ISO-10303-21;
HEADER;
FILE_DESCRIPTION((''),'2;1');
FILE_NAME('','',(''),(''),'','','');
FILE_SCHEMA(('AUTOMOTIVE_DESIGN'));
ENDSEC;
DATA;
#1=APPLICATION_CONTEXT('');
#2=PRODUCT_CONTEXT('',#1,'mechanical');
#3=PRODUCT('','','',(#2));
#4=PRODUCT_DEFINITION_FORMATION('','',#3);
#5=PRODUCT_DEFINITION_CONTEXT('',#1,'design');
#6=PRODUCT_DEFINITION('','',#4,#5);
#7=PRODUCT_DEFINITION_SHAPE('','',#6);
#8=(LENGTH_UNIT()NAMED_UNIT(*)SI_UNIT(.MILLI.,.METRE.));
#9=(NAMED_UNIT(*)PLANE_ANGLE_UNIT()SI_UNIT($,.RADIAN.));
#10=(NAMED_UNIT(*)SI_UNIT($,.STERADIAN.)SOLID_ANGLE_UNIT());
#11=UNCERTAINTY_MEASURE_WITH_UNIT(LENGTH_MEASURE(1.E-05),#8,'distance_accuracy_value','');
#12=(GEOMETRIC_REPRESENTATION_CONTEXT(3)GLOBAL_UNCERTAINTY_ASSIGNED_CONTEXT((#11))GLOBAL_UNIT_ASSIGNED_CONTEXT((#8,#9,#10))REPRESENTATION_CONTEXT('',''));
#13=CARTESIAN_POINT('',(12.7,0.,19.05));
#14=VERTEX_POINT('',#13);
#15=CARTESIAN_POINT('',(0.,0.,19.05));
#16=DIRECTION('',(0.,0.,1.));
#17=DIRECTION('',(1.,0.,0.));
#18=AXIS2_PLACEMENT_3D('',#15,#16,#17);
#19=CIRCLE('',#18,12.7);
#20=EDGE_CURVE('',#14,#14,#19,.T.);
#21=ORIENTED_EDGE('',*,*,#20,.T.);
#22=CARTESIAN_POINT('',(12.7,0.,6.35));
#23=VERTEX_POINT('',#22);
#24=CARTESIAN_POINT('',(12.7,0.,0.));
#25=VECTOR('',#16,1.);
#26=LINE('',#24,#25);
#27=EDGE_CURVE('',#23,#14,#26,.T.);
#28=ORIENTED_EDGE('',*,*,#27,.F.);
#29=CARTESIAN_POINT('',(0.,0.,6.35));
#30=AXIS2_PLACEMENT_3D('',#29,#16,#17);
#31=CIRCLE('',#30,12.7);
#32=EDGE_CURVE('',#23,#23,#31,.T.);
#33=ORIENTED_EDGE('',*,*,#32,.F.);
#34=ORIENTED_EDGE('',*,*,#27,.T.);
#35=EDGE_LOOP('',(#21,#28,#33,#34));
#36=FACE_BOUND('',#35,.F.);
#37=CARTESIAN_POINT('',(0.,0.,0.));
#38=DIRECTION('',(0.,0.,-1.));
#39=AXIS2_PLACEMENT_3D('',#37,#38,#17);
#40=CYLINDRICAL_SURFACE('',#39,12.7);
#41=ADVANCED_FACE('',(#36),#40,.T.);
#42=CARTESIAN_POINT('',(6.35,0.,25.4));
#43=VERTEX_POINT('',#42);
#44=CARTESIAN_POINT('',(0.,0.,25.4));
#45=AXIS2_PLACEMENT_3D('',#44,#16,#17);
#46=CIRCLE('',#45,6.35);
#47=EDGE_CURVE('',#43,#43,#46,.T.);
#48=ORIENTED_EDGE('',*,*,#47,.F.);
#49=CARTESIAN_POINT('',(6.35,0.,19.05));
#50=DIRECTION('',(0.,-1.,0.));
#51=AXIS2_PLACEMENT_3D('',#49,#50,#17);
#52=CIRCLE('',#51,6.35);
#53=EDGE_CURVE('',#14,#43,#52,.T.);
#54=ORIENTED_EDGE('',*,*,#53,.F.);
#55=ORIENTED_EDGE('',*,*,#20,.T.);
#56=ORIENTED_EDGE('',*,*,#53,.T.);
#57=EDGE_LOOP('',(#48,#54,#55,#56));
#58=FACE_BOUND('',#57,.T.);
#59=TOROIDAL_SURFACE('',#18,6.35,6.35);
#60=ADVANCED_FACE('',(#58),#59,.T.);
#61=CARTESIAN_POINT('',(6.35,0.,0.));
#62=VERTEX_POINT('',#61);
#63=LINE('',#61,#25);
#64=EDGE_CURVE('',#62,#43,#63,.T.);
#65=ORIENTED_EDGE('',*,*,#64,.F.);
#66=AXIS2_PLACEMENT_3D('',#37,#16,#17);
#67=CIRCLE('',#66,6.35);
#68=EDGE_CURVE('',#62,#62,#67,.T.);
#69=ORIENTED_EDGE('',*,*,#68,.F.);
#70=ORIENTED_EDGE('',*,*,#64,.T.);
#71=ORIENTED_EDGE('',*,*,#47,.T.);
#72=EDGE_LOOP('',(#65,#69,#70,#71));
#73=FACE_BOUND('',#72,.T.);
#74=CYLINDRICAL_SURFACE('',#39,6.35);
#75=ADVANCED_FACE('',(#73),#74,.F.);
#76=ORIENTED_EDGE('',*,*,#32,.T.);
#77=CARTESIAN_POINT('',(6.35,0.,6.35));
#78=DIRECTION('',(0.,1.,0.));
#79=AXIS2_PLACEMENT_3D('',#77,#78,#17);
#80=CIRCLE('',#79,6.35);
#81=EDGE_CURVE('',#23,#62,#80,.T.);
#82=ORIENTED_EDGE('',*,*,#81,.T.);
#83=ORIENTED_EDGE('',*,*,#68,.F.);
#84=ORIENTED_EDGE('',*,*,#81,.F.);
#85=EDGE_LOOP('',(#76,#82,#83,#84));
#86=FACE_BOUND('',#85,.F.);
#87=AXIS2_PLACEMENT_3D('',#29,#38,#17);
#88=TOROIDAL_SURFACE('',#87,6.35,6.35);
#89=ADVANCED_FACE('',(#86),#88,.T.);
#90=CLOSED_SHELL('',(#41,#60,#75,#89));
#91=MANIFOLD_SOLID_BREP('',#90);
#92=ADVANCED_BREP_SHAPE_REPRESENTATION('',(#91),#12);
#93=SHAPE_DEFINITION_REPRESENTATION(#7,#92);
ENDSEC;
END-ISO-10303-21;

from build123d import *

# Parameters (mm, degrees)
F0_R     = 12.7
F1_DEPTH = 25.4
F2_R     = 6.35
F3_R     = 6.35
F4_DEPTH = 25.4


with BuildPart() as f1:
    # F0 (on Top) → F1 (new body)
    with BuildSketch(Plane.XY):
        Circle(F0_R)
    extrude(amount=F1_DEPTH)

    # F2
    f2_edges = [f1.edges().sort_by_distance(p)[0] for p in [
        (12.7, 0, 12.7),
        (-12.7, 0, 0),
        (-12.7, 0, 25.4),
    ]]
    fillet(f2_edges, radius=F2_R)

    # F3 (on Top) → F4 (cut)
    with BuildSketch(Plane.XY):
        Circle(F3_R)
    extrude(amount=F4_DEPTH, mode=Mode.SUBTRACT)


solid = f1.part
